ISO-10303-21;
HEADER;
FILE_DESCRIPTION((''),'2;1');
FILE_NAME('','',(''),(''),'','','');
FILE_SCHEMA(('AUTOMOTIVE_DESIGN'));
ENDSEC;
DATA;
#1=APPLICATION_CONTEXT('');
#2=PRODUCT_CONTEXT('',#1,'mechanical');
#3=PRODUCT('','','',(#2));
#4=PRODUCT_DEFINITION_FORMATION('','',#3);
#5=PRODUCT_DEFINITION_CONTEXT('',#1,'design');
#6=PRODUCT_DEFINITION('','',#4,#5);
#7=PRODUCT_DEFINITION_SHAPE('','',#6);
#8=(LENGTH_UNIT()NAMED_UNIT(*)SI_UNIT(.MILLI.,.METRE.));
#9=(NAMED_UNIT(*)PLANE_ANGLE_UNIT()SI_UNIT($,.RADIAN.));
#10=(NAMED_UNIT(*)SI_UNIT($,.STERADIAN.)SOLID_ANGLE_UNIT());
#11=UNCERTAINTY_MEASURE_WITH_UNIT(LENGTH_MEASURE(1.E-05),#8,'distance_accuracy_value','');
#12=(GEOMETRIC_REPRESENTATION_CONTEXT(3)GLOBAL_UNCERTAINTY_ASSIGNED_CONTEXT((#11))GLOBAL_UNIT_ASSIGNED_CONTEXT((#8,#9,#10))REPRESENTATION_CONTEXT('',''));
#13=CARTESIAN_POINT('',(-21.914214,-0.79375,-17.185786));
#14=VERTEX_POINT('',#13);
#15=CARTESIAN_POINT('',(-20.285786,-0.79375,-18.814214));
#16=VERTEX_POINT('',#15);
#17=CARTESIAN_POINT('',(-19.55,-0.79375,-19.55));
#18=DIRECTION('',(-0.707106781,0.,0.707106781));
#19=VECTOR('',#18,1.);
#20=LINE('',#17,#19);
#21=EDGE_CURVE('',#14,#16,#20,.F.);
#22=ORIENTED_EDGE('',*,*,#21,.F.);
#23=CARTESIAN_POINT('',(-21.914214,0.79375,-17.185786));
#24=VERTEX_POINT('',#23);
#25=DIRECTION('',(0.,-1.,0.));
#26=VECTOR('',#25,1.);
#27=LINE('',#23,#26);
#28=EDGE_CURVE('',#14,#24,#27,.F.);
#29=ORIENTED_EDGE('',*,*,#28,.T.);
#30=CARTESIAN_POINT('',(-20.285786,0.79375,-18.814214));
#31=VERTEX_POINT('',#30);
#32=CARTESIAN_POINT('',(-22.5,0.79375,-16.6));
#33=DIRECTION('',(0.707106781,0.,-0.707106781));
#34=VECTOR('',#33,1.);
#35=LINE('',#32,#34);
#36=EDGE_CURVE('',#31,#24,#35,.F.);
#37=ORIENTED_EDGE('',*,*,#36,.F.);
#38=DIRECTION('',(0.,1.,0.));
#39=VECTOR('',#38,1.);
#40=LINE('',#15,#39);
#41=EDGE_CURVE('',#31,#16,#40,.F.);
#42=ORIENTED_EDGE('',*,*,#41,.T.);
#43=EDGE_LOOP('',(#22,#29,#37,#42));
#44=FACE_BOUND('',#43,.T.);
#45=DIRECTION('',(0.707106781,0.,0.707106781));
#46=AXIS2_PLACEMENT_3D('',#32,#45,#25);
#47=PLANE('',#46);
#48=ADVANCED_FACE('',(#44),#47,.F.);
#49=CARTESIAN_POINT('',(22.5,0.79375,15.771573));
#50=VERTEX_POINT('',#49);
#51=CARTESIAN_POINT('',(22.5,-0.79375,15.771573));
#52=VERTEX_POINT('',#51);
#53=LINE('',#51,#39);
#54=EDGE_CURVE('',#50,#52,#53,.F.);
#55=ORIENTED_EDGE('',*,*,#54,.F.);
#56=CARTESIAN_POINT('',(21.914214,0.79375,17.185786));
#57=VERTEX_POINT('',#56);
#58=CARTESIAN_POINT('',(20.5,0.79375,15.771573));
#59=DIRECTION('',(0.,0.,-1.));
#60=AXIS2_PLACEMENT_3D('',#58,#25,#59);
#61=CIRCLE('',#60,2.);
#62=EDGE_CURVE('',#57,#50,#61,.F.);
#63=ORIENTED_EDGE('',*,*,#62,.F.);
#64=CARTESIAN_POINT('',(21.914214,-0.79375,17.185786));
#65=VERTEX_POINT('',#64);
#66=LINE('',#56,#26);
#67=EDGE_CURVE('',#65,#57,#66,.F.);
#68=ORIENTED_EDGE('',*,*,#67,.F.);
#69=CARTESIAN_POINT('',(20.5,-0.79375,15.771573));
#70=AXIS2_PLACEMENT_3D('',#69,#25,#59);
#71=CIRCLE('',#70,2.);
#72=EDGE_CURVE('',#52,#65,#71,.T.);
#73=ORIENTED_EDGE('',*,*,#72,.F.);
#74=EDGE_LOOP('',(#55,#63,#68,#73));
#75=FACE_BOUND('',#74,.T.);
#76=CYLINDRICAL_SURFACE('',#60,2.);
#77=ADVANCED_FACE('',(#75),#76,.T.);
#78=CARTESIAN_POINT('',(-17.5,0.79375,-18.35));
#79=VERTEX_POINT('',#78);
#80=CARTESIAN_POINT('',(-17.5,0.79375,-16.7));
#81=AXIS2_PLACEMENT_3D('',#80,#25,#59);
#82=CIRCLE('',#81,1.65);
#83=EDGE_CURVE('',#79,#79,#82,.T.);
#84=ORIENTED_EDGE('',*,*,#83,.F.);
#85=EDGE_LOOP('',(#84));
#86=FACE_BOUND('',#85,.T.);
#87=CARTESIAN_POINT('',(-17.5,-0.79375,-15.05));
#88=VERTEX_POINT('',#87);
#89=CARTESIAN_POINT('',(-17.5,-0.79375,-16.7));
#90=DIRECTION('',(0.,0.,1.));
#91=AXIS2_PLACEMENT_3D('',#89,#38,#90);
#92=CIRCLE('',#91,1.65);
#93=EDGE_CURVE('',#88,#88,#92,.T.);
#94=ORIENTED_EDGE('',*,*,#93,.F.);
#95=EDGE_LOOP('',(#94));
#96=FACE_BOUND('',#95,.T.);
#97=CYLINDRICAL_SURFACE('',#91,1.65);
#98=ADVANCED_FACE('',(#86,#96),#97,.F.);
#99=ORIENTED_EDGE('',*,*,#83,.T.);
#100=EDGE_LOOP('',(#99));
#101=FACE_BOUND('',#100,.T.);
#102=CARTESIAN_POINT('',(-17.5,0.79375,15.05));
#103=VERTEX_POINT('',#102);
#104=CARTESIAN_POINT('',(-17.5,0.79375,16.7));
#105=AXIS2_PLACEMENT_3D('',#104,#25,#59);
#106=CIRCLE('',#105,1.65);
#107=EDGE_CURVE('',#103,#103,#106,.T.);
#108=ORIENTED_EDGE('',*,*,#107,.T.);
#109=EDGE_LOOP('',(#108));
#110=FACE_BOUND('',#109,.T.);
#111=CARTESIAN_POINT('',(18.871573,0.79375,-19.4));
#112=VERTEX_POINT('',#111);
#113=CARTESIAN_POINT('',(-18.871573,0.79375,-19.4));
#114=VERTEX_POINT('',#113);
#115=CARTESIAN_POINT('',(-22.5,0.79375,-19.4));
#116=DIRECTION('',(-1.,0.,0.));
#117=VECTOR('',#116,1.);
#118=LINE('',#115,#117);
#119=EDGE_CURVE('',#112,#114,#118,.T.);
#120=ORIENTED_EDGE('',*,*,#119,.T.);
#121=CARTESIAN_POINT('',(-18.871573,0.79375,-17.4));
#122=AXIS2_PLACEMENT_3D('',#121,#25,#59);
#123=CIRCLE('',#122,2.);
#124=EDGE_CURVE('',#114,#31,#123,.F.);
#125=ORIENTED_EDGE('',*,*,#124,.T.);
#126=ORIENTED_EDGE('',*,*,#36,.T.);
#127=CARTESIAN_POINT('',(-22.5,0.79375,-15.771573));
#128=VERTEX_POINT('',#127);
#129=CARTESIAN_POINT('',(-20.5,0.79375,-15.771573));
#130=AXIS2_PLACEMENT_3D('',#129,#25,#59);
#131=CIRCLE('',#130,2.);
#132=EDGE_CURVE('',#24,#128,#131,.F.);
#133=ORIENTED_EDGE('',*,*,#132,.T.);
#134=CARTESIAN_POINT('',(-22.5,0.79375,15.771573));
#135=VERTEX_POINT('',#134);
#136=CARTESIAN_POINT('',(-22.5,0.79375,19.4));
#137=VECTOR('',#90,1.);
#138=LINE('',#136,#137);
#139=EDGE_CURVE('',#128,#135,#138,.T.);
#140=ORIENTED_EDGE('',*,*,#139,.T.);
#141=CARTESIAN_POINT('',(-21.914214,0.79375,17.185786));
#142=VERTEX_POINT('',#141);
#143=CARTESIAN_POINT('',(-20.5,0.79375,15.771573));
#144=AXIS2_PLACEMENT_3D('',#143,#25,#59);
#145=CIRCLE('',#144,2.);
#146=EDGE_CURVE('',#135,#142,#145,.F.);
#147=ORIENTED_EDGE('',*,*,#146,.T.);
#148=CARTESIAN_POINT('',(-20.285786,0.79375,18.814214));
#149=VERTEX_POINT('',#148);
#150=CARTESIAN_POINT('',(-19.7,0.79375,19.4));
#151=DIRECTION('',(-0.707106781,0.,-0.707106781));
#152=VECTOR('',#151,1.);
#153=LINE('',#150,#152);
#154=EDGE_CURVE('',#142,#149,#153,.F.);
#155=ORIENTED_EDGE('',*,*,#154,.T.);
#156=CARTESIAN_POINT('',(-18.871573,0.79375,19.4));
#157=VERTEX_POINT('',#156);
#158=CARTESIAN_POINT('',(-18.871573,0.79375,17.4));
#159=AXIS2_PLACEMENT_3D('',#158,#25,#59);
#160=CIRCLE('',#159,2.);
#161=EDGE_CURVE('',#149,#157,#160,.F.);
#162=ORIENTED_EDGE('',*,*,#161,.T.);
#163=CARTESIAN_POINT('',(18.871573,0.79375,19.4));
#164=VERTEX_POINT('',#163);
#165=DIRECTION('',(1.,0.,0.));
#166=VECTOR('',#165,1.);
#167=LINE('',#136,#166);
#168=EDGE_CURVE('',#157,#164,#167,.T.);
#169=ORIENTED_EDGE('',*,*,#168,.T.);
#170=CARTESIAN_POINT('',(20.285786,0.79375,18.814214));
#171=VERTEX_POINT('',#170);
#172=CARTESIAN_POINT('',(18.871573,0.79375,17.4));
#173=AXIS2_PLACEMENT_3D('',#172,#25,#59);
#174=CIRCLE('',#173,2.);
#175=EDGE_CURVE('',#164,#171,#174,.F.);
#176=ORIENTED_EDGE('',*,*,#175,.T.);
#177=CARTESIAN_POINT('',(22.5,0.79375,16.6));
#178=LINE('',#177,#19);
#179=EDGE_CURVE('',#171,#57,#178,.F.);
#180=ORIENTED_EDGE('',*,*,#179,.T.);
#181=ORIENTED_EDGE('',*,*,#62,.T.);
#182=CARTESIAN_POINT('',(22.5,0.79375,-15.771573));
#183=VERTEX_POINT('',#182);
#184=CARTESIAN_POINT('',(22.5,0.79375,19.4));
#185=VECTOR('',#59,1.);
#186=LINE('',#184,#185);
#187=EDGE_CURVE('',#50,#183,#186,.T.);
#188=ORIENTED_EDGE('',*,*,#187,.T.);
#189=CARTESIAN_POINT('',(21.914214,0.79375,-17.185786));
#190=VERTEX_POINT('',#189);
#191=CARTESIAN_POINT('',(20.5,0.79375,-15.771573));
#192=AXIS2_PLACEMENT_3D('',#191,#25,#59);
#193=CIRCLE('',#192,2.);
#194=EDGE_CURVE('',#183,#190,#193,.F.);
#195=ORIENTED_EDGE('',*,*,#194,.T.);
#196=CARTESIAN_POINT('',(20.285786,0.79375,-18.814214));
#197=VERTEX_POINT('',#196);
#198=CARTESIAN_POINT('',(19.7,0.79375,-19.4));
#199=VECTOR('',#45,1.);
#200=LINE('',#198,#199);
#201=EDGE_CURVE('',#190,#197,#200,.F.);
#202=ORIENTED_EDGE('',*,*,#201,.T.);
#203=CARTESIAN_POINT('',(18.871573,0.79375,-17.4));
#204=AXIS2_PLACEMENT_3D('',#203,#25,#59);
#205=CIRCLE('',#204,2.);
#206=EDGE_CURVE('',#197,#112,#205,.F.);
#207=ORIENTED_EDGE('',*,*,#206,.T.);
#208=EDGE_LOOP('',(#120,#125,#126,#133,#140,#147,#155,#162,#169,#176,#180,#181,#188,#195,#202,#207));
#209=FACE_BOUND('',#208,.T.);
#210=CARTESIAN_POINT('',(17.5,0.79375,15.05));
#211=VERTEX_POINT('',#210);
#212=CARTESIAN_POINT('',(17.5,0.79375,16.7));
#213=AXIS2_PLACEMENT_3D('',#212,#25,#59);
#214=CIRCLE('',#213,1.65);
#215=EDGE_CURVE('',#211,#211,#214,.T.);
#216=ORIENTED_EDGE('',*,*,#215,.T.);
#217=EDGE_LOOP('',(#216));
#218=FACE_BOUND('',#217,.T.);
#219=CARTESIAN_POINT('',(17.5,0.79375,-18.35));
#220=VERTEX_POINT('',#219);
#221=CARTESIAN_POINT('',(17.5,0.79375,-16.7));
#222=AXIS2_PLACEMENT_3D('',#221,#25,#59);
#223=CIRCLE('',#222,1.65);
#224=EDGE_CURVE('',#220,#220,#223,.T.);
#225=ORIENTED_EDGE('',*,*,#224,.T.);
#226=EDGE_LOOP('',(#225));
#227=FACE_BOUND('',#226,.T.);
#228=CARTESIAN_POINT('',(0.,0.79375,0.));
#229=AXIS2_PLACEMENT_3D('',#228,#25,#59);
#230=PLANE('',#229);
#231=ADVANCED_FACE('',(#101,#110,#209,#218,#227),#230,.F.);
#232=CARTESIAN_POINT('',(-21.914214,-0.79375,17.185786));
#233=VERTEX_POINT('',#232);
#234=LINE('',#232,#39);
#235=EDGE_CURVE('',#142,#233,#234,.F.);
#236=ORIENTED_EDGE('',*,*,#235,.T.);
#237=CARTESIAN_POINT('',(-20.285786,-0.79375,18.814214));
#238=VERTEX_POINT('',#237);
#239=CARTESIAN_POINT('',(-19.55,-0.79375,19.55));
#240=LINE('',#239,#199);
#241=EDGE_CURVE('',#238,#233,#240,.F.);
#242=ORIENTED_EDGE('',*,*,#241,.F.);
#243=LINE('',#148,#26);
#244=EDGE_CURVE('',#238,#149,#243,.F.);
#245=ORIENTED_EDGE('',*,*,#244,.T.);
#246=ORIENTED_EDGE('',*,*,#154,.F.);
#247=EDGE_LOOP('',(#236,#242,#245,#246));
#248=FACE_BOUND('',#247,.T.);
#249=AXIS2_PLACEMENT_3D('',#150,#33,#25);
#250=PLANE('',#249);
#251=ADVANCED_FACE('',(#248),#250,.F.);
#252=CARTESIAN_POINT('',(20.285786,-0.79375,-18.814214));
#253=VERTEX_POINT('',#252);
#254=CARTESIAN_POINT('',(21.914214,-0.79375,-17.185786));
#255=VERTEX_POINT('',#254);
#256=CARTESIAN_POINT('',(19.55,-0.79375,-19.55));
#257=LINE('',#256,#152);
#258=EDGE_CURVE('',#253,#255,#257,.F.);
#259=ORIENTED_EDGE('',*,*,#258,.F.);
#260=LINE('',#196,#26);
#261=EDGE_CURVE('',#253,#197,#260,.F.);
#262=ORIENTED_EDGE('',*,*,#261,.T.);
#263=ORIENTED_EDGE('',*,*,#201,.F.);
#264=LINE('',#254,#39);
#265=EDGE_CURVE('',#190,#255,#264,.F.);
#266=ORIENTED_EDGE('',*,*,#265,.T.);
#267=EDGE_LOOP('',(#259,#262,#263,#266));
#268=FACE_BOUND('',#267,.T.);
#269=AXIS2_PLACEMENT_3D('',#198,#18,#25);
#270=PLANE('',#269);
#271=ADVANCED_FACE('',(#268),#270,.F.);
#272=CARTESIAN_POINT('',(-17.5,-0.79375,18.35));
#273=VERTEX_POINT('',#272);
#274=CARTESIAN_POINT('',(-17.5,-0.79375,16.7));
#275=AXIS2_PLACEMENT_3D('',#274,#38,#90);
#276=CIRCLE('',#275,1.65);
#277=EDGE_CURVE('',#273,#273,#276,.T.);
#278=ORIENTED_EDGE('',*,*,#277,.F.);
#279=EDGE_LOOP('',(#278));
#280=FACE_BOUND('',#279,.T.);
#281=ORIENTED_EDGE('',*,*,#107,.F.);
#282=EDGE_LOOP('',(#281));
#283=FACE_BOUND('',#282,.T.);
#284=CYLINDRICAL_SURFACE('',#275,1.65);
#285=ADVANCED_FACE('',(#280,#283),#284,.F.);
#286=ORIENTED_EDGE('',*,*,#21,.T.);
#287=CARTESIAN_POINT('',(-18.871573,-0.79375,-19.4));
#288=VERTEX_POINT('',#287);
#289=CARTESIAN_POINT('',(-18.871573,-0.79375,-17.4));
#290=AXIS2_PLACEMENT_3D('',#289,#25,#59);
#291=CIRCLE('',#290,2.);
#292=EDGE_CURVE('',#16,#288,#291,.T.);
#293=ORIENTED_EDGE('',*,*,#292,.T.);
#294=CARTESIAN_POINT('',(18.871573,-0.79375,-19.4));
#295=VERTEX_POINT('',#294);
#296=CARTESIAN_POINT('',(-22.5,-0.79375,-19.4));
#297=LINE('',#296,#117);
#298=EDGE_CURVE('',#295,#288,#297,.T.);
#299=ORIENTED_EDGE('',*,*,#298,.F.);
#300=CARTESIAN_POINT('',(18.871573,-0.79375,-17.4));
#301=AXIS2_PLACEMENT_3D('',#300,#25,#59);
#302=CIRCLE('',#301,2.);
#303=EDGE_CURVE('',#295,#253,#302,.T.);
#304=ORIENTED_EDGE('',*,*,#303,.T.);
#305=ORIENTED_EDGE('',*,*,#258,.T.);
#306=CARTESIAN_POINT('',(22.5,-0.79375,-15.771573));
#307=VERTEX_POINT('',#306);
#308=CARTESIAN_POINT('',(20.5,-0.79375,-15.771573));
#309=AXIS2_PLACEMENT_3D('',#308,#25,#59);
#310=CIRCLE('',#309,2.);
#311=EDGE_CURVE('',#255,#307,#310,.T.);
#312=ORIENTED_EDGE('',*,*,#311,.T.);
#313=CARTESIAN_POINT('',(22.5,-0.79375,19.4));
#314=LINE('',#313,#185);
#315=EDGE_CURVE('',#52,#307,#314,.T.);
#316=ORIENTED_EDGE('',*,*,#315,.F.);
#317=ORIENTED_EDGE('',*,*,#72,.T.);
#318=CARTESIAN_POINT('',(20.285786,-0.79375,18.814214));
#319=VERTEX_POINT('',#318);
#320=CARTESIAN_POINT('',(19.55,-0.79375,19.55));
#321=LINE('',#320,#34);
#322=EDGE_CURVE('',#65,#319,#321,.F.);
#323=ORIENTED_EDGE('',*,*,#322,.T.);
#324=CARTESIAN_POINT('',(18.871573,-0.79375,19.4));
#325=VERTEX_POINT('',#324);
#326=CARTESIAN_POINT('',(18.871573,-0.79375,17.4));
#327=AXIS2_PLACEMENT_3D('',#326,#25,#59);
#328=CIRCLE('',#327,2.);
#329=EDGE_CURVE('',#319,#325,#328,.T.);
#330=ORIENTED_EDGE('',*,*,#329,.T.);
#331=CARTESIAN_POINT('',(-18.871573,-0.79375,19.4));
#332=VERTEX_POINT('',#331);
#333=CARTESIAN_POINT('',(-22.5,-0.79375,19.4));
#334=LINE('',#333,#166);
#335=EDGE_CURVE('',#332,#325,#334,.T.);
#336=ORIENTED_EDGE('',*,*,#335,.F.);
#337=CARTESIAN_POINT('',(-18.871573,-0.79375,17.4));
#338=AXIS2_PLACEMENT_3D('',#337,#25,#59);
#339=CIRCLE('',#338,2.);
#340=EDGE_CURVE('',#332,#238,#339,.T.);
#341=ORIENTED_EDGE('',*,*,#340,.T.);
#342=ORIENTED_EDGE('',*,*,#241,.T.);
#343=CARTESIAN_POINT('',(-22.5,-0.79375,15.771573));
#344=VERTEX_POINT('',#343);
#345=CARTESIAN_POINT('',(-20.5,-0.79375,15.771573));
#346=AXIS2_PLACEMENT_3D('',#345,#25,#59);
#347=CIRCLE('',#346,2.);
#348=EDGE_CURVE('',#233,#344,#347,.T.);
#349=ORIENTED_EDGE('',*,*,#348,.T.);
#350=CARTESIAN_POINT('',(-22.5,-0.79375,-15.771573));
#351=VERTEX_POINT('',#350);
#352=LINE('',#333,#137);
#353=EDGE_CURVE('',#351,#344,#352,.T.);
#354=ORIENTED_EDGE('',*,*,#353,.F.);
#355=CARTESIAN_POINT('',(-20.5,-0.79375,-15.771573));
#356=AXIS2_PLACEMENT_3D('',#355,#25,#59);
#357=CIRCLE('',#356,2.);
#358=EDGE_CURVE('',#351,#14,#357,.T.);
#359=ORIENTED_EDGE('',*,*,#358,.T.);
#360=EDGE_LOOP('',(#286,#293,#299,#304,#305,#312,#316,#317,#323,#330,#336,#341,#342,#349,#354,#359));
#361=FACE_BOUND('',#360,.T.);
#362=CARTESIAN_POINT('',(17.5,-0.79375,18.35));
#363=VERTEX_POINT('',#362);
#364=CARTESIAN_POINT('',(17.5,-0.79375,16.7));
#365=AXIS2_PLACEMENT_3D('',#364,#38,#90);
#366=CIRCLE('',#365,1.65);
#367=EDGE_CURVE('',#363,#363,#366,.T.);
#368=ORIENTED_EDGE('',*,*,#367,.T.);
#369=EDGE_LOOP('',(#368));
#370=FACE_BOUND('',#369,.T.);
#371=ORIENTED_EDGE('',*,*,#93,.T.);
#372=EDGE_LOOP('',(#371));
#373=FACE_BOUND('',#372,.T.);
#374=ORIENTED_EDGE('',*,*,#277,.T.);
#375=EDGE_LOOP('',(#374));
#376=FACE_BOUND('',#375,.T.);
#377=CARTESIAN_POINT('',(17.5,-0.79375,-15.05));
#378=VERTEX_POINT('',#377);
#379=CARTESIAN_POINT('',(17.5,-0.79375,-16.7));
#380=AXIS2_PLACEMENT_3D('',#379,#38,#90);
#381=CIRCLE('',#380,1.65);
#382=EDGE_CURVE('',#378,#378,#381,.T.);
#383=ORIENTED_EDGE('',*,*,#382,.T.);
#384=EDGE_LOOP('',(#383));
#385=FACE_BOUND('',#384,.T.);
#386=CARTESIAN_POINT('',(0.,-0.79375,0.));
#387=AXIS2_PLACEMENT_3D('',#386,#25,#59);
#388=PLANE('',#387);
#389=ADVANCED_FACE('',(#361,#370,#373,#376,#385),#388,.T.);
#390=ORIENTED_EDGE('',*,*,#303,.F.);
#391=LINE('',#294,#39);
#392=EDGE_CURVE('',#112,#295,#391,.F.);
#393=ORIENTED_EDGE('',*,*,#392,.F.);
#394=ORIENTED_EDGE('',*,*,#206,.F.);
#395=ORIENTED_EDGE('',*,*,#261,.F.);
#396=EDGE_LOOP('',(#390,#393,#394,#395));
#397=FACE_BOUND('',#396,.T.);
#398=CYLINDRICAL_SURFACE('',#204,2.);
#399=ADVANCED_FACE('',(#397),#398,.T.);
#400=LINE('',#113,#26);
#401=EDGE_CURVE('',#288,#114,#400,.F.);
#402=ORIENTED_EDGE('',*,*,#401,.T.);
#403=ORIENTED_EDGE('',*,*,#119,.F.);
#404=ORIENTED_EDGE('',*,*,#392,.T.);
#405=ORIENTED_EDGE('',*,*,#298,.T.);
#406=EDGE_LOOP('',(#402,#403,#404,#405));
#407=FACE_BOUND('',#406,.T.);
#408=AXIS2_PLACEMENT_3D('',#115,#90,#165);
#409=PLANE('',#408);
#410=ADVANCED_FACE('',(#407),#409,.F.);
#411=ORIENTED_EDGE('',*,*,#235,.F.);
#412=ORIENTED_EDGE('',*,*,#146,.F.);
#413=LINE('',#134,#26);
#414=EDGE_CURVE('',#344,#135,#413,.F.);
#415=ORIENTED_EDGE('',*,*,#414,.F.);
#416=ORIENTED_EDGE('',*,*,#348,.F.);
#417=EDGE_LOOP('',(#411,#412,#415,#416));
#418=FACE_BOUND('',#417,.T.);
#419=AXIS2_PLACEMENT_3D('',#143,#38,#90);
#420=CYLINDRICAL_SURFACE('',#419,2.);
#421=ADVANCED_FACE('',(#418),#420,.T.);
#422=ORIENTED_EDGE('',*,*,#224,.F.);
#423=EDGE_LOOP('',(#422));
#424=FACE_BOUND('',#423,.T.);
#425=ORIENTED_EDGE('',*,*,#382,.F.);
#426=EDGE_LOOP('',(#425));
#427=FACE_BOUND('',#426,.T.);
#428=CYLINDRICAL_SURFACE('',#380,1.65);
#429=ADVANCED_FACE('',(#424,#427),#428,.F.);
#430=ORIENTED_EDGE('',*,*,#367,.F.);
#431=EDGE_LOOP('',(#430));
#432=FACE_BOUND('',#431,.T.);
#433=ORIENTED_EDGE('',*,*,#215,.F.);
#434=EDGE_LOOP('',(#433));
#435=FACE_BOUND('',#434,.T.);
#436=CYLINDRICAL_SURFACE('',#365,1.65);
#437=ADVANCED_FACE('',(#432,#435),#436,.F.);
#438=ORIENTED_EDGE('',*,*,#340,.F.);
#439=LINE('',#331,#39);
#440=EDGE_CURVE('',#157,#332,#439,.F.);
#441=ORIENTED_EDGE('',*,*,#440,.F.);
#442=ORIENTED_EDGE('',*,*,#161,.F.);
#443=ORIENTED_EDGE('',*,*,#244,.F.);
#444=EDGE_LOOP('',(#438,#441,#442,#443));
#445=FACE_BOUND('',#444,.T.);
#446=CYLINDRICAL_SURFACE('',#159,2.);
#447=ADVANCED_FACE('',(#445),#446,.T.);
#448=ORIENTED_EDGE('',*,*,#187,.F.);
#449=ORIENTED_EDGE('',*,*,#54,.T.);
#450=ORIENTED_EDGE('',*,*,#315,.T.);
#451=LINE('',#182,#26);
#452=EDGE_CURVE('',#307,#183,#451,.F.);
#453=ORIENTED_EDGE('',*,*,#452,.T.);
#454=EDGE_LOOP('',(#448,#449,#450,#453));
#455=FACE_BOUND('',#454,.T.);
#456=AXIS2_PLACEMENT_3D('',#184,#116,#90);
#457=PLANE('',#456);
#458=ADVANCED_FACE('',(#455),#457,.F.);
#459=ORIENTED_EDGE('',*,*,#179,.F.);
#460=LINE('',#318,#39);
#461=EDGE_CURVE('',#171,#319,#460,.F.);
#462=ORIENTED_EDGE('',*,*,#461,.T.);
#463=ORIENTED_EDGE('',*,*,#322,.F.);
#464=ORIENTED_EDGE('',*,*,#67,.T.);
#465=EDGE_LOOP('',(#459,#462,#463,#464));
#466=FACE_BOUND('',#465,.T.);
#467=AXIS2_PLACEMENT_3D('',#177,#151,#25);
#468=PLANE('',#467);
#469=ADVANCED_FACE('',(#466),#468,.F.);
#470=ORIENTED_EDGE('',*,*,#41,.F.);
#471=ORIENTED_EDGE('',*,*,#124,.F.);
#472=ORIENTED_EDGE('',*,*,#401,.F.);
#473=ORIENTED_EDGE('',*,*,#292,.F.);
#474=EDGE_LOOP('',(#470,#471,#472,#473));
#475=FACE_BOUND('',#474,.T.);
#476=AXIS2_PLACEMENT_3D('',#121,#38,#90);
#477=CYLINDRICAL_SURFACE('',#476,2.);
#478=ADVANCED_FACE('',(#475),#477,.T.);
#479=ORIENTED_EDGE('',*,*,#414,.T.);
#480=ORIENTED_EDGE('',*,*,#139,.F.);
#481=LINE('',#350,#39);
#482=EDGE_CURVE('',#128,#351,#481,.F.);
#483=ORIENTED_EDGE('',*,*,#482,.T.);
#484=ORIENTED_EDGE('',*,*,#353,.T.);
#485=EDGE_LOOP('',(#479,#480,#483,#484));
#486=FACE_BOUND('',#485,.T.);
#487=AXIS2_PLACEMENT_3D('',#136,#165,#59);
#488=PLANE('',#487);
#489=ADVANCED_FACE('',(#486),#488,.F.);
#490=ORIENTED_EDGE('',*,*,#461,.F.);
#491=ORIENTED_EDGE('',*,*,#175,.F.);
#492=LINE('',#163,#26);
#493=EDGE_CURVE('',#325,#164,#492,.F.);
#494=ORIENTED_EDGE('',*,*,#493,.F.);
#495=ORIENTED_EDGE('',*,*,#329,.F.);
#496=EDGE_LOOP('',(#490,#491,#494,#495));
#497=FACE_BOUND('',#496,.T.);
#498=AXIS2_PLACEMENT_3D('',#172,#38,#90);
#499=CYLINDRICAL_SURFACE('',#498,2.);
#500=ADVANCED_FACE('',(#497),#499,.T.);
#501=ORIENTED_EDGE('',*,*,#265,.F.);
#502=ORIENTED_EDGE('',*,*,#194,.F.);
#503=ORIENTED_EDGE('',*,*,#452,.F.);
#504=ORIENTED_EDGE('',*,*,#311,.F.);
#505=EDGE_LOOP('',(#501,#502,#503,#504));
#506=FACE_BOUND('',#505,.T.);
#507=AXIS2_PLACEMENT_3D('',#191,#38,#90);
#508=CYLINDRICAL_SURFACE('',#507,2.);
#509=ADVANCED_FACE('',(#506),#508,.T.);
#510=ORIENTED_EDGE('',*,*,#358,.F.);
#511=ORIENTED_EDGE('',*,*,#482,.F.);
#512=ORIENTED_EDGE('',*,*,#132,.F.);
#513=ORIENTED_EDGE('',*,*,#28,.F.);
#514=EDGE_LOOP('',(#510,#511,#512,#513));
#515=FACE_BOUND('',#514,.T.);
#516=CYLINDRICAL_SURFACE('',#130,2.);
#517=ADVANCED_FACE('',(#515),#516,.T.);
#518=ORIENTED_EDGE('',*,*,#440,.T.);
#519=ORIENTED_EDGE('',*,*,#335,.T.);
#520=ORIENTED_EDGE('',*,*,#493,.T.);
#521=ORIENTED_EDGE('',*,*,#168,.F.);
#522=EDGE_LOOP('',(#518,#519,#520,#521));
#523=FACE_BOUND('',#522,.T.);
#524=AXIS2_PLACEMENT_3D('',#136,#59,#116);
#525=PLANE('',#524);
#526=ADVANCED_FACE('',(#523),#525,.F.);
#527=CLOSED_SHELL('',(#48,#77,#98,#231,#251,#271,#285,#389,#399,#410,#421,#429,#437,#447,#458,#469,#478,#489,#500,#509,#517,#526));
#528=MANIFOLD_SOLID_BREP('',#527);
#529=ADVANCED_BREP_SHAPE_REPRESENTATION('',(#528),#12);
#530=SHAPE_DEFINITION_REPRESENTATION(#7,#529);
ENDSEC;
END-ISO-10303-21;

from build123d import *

# Parameters (mm, degrees)
SKETCH1_W               = 45
SKETCH1_H               = 38.8
BOSS_EXTRUDE1_DEPTH     = 0.79375
CUT_EXTRUDE1_DEPTH      = 30.751137058
CUT_EXTRUDE1_DEPTH_BACK = 30.751137058
SKETCH2_R               = 1.65
CHAMFER1_SIZE           = 2.8
FILLET1_R               = 2


with BuildPart() as part:
    # Sketch1 → Boss-Extrude1 (new, symmetric)
    with BuildSketch(Plane(origin=(0, 0, 0), x_dir=(1, 0, 0), z_dir=(0, 1, 0))):
        Rectangle(SKETCH1_W, SKETCH1_H)
    extrude(amount=BOSS_EXTRUDE1_DEPTH, both=True)

    # Sketch2 → Cut-Extrude1 (cut, two sides: drawn at the far end of the back side and taken through both)
    with BuildSketch(Plane(origin=(0, 0.79375, 0), x_dir=(1, 0, 0), z_dir=(0, 1, 0)).offset(-CUT_EXTRUDE1_DEPTH_BACK)):
        with Locations(Location((-17.5, 16.7, 0), (0, 0, 270))):
            Circle(SKETCH2_R)
        with Locations(Location((17.5, 16.7, 0), (0, 0, 270))):
            Circle(SKETCH2_R)
        with Locations(Location((17.5, -16.7, 0), (0, 0, 270))):
            Circle(SKETCH2_R)
        with Locations(Location((-17.5, -16.7, 0), (0, 0, 270))):
            Circle(SKETCH2_R)
    extrude(amount=CUT_EXTRUDE1_DEPTH + CUT_EXTRUDE1_DEPTH_BACK, mode=Mode.SUBTRACT)

    # Chamfer1
    chamfer1_edges = [part.edges().sort_by_distance(p)[0] for p in [
        (22.5, 0, 19.4),
        (-22.5, 0, 19.4),
        (-22.5, 0, -19.4),
        (22.5, 0, -19.4),
    ]]
    chamfer(chamfer1_edges, length=CHAMFER1_SIZE)

    # Fillet1
    fillet1_edges = [part.edges().sort_by_distance(p)[0] for p in [
        (19.7, 0, 19.4),
        (-19.7, 0, 19.4),
        (-22.5, 0, -16.6),
        (-22.5, 0, 16.6),
        (19.7, 0, -19.4),
        (-19.7, 0, -19.4),
        (22.5, 0, 16.6),
        (22.5, 0, -16.6),
    ]]
    fillet(fillet1_edges, radius=FILLET1_R)


solid = part.part
